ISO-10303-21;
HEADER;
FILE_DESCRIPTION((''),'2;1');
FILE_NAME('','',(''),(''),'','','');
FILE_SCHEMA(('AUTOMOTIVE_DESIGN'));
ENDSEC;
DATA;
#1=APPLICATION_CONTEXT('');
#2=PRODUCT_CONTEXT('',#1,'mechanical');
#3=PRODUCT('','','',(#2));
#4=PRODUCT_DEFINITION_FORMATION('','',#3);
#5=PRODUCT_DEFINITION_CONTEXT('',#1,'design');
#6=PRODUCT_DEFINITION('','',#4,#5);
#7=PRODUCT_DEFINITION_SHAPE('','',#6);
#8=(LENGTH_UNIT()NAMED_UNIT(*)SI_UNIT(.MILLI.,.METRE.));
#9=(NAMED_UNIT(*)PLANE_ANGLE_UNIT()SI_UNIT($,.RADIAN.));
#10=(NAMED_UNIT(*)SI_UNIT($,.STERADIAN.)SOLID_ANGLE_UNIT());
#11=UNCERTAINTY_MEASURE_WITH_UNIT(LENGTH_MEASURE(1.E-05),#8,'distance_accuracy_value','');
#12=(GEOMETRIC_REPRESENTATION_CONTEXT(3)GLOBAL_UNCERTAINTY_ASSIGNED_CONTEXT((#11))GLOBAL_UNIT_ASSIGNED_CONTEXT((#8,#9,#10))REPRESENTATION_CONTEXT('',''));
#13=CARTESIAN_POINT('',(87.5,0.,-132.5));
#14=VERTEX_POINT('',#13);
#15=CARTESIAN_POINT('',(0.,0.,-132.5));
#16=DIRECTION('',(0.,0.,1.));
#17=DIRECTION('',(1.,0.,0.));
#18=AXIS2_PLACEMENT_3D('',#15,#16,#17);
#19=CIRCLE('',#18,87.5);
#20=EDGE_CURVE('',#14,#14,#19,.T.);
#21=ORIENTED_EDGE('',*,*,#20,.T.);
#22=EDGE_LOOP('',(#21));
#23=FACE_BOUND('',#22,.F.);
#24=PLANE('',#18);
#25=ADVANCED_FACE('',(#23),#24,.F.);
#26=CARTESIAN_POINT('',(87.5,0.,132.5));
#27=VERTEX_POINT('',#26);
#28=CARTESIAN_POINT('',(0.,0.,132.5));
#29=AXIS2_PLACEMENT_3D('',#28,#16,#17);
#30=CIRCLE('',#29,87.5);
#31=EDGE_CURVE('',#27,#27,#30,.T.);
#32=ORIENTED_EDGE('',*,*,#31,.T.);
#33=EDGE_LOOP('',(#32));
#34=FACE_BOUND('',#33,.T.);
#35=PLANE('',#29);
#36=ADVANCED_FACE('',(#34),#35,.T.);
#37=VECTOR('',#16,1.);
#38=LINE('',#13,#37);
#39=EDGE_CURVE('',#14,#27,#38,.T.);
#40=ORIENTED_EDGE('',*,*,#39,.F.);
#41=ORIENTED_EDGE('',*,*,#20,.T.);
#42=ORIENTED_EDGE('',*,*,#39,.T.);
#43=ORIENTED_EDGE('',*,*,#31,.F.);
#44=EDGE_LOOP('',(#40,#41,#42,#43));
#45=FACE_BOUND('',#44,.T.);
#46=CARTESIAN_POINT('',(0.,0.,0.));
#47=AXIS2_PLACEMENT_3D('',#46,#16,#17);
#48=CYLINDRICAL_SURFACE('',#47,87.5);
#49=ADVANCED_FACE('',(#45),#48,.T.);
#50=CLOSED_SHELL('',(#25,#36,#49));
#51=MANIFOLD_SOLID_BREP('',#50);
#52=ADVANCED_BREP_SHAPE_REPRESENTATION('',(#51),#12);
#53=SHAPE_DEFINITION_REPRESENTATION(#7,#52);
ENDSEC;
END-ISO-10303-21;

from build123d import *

# Parameters (mm, degrees)
SKETCH1_R           = 87.5
BOSS_EXTRUDE1_DEPTH = 132.5
BOSS_EXTRUDE2_START = -132.5
SKETCH1_3_R         = 87.5
BOSS_EXTRUDE2_DEPTH = 132.5


with BuildPart() as part:
    # Sketch1 → Boss-Extrude1 (new body)
    with BuildSketch(Plane.XY):
        Circle(SKETCH1_R)
    extrude(amount=BOSS_EXTRUDE1_DEPTH)

    # Sketch1<3> → Boss-Extrude2 (add)
    with BuildSketch(Plane.XY.offset(BOSS_EXTRUDE2_START)):
        Circle(SKETCH1_3_R)
    extrude(amount=BOSS_EXTRUDE2_DEPTH)


solid = part.part
